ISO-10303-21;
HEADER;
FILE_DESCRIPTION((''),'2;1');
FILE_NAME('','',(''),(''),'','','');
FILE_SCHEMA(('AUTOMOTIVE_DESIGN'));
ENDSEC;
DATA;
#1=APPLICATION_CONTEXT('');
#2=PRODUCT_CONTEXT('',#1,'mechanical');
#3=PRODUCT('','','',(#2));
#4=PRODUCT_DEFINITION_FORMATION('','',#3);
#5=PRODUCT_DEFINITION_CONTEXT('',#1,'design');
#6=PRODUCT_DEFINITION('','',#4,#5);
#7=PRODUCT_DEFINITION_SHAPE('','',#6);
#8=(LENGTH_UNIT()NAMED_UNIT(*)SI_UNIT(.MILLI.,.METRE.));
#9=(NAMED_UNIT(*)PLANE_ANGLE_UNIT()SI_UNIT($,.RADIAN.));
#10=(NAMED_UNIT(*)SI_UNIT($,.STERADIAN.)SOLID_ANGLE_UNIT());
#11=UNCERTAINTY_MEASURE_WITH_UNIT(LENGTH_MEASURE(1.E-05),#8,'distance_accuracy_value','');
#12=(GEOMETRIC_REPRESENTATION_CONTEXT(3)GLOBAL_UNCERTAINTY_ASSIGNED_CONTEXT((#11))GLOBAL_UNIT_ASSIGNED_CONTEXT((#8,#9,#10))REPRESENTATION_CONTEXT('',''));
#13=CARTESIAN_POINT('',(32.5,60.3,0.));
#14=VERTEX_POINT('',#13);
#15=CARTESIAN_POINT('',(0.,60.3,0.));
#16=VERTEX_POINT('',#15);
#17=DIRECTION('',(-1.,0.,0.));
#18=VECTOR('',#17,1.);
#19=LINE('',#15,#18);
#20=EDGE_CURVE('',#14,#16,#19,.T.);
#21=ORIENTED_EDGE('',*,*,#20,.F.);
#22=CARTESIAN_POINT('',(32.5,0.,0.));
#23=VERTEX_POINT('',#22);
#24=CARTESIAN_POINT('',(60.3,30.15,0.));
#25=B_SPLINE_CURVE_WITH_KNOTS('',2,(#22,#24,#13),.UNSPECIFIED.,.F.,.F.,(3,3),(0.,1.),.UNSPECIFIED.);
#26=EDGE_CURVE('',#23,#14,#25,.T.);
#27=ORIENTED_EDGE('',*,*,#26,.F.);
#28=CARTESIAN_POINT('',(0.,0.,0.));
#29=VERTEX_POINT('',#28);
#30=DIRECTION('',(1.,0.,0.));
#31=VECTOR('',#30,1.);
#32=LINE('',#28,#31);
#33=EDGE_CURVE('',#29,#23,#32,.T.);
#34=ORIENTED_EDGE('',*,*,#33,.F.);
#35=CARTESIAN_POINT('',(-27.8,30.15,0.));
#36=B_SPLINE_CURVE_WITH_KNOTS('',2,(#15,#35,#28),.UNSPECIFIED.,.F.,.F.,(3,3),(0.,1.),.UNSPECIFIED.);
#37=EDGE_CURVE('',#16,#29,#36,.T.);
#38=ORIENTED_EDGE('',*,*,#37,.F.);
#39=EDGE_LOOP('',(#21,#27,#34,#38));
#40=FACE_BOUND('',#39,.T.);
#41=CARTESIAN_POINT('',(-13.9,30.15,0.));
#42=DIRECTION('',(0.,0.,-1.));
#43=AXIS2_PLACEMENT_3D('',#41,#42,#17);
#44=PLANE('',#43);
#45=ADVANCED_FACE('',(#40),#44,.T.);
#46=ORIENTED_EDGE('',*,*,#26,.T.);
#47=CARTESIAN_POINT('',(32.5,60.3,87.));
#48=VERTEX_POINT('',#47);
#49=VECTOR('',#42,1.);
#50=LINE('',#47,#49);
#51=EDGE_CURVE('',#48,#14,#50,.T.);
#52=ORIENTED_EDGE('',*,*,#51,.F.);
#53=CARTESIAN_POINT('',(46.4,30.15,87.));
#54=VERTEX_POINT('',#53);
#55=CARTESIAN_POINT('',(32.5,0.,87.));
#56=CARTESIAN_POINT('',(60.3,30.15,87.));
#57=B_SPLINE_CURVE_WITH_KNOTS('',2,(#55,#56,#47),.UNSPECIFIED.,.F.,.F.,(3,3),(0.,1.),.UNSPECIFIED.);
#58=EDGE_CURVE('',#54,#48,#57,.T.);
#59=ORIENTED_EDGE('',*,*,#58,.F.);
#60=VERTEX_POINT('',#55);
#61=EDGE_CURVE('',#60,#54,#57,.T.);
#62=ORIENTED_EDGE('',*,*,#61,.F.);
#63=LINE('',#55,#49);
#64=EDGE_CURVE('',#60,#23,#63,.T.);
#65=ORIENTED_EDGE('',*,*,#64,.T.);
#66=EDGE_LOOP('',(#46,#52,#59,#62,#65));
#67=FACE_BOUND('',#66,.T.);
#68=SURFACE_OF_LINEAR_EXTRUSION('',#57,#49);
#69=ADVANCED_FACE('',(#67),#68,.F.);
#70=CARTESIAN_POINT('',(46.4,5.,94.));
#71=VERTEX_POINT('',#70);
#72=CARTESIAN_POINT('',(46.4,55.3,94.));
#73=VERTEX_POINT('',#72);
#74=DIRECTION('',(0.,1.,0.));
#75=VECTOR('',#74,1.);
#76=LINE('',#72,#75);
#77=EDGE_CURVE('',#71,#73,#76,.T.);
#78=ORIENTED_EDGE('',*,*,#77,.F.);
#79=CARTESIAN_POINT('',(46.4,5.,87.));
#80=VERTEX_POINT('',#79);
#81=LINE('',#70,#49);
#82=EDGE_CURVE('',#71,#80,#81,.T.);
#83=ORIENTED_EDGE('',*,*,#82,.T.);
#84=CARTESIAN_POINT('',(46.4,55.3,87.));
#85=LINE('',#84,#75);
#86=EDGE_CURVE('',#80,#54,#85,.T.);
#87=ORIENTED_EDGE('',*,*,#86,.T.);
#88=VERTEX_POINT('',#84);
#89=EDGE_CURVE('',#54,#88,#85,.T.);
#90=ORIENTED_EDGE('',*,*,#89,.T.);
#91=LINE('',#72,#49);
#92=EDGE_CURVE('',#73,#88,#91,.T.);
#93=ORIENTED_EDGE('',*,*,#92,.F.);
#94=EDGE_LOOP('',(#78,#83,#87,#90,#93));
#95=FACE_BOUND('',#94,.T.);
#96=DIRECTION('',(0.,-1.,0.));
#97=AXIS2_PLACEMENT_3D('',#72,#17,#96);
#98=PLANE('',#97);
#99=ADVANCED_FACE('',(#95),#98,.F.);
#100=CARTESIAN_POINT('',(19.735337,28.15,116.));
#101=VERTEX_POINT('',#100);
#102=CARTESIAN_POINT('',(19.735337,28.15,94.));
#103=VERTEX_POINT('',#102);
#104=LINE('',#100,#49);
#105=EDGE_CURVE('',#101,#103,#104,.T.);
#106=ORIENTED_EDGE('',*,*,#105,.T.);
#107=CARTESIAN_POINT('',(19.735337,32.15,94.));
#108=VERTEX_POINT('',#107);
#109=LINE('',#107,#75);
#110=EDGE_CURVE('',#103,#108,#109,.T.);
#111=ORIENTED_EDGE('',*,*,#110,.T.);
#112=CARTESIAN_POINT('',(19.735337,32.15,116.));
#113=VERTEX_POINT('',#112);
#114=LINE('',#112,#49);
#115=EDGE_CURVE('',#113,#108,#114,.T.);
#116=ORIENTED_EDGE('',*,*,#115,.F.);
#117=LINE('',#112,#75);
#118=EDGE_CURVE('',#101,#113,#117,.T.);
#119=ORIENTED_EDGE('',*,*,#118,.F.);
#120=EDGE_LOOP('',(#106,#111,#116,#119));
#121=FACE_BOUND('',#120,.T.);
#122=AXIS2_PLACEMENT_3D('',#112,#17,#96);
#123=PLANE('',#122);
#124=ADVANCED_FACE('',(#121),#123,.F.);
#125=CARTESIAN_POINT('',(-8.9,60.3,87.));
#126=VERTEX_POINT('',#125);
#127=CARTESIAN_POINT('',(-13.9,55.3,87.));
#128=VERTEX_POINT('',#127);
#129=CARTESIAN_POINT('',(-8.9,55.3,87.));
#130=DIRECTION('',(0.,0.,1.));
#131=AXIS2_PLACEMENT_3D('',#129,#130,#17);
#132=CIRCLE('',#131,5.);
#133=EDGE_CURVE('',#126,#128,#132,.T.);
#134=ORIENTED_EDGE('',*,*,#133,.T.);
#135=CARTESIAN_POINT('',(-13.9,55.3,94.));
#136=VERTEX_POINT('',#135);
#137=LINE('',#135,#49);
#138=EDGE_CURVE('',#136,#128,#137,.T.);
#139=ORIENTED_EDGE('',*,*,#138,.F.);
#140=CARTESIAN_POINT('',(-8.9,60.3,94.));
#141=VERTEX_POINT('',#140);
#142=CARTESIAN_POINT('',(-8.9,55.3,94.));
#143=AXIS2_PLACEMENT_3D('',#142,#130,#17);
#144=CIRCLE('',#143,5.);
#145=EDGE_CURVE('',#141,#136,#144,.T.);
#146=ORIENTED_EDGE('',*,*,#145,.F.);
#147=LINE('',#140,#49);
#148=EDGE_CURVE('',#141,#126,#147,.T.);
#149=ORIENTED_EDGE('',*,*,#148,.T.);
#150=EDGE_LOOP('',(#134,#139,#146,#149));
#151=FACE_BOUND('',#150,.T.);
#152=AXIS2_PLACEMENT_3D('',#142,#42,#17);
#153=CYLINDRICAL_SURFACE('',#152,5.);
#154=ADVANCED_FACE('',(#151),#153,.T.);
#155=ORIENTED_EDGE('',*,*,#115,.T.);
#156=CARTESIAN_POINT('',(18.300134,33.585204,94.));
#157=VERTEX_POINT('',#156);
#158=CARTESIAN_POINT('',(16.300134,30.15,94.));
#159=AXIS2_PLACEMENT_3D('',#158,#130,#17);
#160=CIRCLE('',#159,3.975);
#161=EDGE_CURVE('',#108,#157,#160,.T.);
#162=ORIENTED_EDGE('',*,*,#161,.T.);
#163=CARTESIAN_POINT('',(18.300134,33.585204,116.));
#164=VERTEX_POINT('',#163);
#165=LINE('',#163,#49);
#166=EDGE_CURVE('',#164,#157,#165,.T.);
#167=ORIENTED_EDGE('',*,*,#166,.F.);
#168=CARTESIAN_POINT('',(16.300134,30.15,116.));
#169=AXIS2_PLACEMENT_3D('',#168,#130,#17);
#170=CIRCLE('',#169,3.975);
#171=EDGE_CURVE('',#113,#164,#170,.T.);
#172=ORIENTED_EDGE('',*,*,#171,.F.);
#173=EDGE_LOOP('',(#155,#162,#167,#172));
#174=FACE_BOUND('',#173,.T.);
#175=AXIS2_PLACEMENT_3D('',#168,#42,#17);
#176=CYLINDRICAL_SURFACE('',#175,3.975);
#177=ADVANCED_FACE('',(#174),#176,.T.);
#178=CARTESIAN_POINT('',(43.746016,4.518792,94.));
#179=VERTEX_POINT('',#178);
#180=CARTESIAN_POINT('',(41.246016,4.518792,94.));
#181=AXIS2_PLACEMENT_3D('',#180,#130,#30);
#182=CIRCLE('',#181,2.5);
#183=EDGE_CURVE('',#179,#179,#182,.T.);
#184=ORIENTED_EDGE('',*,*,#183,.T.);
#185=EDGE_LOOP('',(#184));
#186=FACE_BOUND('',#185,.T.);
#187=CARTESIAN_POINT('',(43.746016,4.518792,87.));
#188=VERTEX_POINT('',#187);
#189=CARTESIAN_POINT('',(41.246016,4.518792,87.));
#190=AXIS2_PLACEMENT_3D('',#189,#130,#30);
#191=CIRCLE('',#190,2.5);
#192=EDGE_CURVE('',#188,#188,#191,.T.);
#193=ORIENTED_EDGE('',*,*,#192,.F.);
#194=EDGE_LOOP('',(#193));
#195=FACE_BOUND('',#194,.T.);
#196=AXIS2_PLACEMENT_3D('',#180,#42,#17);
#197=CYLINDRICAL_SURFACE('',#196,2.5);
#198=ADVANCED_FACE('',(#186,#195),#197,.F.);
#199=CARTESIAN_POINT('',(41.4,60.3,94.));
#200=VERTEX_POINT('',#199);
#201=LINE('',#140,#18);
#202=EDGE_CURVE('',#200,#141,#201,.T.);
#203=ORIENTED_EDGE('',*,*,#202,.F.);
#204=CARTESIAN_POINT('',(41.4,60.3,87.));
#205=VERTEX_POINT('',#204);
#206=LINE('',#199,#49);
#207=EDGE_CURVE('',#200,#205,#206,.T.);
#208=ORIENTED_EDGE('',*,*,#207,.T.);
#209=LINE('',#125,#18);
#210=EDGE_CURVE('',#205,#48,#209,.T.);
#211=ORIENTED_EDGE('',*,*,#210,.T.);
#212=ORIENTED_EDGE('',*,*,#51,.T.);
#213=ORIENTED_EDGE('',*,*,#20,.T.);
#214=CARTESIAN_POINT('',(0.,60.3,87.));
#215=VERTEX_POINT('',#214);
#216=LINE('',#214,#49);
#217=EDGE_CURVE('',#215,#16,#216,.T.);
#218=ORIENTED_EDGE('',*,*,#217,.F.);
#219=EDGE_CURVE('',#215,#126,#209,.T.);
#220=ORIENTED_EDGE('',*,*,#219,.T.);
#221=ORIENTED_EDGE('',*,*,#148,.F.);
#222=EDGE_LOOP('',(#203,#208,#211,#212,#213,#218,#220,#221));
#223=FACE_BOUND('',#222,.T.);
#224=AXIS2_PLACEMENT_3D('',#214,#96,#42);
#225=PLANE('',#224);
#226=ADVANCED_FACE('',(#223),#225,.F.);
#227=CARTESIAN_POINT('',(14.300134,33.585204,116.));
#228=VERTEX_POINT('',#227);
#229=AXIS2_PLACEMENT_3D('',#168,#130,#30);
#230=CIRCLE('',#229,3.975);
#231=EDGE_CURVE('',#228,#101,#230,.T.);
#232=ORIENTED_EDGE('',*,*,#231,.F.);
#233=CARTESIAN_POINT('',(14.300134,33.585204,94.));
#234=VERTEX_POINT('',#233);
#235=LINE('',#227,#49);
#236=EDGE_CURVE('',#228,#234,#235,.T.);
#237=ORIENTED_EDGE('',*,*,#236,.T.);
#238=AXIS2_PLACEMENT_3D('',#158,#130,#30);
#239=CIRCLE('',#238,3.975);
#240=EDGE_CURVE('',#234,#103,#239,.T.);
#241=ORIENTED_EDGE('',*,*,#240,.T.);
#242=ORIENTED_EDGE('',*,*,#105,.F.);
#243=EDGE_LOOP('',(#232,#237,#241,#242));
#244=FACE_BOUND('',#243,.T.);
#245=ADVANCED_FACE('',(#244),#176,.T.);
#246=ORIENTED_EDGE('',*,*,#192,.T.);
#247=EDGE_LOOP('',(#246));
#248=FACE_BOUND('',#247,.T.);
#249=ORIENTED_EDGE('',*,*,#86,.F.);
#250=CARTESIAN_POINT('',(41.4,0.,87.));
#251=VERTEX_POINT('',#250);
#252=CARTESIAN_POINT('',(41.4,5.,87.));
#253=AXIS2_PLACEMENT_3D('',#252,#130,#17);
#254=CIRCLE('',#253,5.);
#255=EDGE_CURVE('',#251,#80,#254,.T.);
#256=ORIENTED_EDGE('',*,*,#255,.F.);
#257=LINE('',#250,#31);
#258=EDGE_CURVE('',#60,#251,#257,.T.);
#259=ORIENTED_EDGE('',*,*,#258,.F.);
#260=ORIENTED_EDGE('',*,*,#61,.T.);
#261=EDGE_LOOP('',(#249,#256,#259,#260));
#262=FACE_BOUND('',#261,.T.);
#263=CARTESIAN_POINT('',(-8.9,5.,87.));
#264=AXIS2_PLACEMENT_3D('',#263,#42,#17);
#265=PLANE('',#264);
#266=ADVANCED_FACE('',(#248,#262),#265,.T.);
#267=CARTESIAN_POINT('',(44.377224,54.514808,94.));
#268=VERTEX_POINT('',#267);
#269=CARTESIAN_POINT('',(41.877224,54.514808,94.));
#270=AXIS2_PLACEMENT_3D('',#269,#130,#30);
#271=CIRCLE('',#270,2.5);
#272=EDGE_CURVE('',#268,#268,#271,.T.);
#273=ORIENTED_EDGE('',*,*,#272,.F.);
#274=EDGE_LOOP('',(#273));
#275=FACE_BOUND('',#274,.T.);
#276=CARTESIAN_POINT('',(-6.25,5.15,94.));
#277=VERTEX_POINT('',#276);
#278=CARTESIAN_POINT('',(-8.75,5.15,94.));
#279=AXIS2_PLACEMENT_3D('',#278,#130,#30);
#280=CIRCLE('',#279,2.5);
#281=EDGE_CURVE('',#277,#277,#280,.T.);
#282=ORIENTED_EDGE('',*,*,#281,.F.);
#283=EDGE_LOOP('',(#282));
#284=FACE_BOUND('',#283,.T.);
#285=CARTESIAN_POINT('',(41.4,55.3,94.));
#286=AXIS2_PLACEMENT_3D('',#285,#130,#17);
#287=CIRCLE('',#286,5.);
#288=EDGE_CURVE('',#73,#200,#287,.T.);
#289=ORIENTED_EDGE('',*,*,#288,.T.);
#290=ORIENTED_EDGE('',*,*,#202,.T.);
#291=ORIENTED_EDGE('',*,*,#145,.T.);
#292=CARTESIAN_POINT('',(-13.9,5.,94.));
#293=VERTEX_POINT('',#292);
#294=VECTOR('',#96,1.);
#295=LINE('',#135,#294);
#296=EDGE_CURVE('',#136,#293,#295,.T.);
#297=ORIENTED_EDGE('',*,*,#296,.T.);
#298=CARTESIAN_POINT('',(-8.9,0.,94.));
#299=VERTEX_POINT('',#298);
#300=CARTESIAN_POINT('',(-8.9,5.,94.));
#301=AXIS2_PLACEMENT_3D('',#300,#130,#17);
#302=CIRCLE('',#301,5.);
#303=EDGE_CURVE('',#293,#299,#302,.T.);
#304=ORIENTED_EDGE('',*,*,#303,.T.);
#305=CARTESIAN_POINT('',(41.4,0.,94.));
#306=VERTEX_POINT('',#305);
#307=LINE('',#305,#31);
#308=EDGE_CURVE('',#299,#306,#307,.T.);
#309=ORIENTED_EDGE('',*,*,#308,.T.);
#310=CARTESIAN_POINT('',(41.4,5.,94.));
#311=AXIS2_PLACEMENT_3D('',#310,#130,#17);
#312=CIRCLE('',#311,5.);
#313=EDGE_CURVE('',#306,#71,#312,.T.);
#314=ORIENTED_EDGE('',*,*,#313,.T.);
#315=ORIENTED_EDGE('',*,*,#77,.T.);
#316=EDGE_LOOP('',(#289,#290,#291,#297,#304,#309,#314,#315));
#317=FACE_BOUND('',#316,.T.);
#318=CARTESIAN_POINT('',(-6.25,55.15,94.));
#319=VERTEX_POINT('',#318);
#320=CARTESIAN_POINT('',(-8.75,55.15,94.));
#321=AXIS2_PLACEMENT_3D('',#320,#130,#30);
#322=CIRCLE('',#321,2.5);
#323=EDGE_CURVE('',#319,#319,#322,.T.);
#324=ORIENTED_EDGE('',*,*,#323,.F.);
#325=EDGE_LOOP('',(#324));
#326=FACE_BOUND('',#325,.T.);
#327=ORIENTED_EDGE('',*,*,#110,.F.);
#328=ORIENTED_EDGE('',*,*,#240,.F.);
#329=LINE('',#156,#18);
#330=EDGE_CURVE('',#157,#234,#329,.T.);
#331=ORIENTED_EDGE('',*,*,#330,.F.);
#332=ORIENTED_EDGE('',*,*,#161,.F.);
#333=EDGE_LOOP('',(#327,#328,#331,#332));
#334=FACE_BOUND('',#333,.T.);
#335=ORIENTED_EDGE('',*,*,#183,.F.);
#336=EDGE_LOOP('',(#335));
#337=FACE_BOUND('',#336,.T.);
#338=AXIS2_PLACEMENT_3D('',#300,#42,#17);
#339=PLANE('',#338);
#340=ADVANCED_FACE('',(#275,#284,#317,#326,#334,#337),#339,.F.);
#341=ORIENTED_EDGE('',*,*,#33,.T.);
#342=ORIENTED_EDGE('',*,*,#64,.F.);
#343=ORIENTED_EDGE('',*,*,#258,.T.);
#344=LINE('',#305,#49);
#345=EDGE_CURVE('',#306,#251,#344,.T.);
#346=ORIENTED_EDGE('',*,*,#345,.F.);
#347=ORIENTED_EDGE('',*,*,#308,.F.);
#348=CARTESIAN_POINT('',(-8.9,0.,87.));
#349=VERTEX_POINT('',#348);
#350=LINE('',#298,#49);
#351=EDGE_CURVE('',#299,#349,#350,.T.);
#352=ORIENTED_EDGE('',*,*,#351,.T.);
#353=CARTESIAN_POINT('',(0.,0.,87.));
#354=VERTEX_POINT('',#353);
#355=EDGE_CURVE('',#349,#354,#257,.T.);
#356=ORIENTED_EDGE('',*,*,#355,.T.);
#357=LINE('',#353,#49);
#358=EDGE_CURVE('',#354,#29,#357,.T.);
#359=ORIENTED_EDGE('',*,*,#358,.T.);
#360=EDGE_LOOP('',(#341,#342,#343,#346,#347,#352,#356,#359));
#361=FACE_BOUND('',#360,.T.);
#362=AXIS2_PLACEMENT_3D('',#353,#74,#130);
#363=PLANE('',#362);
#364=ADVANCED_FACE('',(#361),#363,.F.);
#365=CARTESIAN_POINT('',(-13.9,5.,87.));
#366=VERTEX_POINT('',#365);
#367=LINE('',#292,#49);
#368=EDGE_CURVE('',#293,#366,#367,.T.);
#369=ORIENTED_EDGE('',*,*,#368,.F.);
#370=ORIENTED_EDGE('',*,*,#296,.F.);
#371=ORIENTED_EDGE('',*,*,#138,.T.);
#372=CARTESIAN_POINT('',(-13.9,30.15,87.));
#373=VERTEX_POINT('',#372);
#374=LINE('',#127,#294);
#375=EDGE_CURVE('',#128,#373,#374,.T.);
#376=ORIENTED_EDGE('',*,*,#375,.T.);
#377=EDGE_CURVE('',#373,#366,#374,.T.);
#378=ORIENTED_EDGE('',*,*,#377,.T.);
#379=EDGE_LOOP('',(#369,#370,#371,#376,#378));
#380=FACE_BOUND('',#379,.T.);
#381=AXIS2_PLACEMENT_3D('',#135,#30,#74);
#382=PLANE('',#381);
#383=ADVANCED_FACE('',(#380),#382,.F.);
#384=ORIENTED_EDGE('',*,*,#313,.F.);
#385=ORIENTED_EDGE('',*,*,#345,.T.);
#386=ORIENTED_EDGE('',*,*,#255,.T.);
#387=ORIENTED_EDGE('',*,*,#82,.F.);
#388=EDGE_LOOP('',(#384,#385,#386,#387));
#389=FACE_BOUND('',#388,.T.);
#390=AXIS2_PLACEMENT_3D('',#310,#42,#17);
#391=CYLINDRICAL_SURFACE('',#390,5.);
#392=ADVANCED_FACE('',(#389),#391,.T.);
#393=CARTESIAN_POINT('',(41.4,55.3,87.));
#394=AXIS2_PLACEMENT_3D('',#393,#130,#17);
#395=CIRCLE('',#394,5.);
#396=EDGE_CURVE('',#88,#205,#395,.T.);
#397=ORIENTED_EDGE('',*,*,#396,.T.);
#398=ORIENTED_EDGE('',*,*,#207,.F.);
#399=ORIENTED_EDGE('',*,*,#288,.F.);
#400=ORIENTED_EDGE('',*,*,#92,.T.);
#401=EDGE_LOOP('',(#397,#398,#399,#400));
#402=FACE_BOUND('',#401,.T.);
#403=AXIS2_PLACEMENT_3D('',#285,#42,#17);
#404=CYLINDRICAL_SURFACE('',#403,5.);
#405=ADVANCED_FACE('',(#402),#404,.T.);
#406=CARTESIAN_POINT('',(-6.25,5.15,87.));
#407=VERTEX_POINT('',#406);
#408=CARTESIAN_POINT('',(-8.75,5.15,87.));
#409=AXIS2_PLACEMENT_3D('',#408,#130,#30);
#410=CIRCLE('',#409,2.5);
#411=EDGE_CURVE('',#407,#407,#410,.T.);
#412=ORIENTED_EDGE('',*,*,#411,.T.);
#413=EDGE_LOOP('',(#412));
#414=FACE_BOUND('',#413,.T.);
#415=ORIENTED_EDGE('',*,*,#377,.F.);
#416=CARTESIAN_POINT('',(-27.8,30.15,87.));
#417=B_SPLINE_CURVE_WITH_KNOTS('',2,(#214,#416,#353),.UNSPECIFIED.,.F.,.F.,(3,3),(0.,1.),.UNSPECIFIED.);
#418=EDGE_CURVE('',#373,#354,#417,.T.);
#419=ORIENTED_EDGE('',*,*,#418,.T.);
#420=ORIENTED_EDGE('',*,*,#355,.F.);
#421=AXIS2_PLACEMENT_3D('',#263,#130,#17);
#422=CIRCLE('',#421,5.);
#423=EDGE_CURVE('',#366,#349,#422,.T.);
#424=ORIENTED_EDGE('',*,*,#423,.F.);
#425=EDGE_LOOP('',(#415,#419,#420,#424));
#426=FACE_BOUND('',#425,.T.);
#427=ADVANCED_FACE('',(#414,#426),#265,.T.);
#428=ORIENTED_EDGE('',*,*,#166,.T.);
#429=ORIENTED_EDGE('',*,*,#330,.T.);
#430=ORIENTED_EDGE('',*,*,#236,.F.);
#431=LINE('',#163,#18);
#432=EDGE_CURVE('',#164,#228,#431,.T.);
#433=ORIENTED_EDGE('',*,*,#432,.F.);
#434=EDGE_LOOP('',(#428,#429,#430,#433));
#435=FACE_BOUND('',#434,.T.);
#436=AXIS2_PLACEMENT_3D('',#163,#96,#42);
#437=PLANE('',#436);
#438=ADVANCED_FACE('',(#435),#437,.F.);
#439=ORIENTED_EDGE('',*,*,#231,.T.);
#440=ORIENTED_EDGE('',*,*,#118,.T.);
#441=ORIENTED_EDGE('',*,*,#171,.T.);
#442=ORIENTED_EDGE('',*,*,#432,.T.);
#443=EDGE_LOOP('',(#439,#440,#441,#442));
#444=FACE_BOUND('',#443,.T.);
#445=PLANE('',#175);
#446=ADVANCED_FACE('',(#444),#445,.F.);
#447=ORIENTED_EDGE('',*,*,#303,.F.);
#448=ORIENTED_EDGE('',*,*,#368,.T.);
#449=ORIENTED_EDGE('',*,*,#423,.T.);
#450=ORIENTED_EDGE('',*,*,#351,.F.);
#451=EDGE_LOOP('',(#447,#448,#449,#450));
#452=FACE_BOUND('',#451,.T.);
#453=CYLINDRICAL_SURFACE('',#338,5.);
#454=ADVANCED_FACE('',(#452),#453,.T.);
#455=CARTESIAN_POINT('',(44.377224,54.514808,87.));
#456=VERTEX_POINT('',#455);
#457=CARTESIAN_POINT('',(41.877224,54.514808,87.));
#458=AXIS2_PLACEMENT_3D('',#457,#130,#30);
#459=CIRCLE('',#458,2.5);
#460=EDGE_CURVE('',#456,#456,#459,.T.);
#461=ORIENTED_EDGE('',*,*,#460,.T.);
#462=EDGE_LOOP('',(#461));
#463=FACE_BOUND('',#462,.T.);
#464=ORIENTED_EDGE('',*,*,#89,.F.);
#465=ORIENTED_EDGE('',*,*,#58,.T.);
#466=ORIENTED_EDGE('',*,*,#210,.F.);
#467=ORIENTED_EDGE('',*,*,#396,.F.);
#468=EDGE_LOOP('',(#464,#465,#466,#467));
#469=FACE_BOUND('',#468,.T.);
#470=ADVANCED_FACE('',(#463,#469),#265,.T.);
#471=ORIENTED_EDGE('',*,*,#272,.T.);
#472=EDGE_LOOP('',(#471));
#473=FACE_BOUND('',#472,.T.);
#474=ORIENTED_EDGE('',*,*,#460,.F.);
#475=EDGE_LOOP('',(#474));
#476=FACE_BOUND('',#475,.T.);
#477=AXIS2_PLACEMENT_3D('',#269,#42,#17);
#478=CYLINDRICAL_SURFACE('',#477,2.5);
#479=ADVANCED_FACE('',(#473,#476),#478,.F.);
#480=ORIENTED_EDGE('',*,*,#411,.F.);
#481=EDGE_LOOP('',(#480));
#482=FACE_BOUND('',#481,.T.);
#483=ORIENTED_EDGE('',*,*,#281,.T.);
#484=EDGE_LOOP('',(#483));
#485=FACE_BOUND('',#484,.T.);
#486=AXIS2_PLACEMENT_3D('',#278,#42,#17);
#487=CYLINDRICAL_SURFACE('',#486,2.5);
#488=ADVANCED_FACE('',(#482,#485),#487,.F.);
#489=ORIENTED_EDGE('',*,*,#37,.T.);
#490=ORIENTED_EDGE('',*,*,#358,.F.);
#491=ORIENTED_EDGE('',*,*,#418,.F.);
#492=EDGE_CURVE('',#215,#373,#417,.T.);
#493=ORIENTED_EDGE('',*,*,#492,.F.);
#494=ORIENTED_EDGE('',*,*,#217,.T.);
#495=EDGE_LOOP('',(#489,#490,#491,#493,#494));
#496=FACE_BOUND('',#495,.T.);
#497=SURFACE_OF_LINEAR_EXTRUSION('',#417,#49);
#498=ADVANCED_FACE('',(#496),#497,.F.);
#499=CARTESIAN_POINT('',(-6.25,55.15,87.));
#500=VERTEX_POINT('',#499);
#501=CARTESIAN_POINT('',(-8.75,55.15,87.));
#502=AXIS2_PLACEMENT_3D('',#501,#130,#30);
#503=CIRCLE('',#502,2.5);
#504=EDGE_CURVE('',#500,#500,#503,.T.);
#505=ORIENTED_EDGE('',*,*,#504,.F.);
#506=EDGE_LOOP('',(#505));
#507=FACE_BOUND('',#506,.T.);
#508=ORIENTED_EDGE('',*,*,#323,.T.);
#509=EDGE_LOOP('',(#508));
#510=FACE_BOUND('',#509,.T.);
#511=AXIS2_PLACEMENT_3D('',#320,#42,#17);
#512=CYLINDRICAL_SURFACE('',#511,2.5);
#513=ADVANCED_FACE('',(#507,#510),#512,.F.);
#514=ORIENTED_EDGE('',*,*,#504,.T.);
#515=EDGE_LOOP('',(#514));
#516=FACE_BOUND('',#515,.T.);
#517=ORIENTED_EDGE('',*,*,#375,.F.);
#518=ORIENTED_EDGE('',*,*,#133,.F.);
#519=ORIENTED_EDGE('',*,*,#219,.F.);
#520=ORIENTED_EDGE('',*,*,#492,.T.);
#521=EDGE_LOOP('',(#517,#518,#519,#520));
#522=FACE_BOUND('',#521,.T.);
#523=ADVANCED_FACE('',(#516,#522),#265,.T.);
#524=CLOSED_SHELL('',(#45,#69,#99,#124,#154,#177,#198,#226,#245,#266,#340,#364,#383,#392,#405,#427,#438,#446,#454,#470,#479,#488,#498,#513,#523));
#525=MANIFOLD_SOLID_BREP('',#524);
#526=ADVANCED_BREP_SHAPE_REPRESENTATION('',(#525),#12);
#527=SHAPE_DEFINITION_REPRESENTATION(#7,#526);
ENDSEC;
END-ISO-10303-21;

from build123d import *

# Parameters (mm, degrees)
BOSS_EXTRUDE1_DEPTH = 87
SKETCH2_R           = 2.5
BOSS_EXTRUDE2_DEPTH = 7
BOSS_EXTRUDE3_DEPTH = 22


with BuildPart() as part:
    # Sketch1 → Boss-Extrude1 (new body)
    with BuildSketch(Plane.XY):
        with BuildLine():
            Line((0, 0), (32.5, 0))
            add(Edge.make_bspline(
                [(32.5, 60.3), (60.3, 30.15), (32.5, 0)],
                knots=[0, 0, 0, 1, 1, 1], degree=2))
            Line((32.5, 60.3), (0, 60.3))
            add(Edge.make_bspline(
                [(0, 60.3), (-27.8, 30.15), (0, 0)],
                knots=[0, 0, 0, 1, 1, 1], degree=2))
        make_face()
    extrude(amount=BOSS_EXTRUDE1_DEPTH)

    # Sketch2 → Boss-Extrude2 (add)
    with BuildSketch(Plane.XY.offset(87)):
        with BuildLine():
            Line((-13.9, 55.3), (-13.9, 5))
            ThreePointArc((-13.9, 5), (-12.435533906, 1.464466094), (-8.9, 0))
            Line((-8.9, 0), (41.4, 0))
            ThreePointArc((41.4, 0), (44.935533906, 1.464466094), (46.4, 5))
            Line((46.4, 5), (46.4, 55.3))
            ThreePointArc((46.4, 55.3), (44.935533906, 58.835533906), (41.4, 60.3))
            Line((41.4, 60.3), (-8.9, 60.3))
            ThreePointArc((-8.9, 60.3), (-12.435533906, 58.835533906), (-13.9, 55.3))
        make_face()
        with Locations((-8.75, 55.15)):
            Circle(SKETCH2_R, mode=Mode.SUBTRACT)
        with Locations((-8.75, 5.15)):
            Circle(SKETCH2_R, mode=Mode.SUBTRACT)
        with Locations((41.246015607, 4.518792094)):
            Circle(SKETCH2_R, mode=Mode.SUBTRACT)
        with Locations((41.877223513, 54.514807701)):
            Circle(SKETCH2_R, mode=Mode.SUBTRACT)
    extrude(amount=BOSS_EXTRUDE2_DEPTH)

    # Sketch3 → Boss-Extrude3 (add)
    with BuildSketch(Plane.XY.offset(94)):
        with BuildLine():
            Line((18.300133509, 33.585203779), (14.300133509, 33.585203779))
            ThreePointArc((14.300133509, 33.585203779), (13.489384054, 27.339250545), (19.735337287, 28.15))
            Line((19.735337287, 28.15), (19.735337287, 32.15))
            ThreePointArc((19.735337287, 32.15), (19.110882964, 32.960749455), (18.300133509, 33.585203779))
        make_face()
    extrude(amount=BOSS_EXTRUDE3_DEPTH)


solid = part.part
